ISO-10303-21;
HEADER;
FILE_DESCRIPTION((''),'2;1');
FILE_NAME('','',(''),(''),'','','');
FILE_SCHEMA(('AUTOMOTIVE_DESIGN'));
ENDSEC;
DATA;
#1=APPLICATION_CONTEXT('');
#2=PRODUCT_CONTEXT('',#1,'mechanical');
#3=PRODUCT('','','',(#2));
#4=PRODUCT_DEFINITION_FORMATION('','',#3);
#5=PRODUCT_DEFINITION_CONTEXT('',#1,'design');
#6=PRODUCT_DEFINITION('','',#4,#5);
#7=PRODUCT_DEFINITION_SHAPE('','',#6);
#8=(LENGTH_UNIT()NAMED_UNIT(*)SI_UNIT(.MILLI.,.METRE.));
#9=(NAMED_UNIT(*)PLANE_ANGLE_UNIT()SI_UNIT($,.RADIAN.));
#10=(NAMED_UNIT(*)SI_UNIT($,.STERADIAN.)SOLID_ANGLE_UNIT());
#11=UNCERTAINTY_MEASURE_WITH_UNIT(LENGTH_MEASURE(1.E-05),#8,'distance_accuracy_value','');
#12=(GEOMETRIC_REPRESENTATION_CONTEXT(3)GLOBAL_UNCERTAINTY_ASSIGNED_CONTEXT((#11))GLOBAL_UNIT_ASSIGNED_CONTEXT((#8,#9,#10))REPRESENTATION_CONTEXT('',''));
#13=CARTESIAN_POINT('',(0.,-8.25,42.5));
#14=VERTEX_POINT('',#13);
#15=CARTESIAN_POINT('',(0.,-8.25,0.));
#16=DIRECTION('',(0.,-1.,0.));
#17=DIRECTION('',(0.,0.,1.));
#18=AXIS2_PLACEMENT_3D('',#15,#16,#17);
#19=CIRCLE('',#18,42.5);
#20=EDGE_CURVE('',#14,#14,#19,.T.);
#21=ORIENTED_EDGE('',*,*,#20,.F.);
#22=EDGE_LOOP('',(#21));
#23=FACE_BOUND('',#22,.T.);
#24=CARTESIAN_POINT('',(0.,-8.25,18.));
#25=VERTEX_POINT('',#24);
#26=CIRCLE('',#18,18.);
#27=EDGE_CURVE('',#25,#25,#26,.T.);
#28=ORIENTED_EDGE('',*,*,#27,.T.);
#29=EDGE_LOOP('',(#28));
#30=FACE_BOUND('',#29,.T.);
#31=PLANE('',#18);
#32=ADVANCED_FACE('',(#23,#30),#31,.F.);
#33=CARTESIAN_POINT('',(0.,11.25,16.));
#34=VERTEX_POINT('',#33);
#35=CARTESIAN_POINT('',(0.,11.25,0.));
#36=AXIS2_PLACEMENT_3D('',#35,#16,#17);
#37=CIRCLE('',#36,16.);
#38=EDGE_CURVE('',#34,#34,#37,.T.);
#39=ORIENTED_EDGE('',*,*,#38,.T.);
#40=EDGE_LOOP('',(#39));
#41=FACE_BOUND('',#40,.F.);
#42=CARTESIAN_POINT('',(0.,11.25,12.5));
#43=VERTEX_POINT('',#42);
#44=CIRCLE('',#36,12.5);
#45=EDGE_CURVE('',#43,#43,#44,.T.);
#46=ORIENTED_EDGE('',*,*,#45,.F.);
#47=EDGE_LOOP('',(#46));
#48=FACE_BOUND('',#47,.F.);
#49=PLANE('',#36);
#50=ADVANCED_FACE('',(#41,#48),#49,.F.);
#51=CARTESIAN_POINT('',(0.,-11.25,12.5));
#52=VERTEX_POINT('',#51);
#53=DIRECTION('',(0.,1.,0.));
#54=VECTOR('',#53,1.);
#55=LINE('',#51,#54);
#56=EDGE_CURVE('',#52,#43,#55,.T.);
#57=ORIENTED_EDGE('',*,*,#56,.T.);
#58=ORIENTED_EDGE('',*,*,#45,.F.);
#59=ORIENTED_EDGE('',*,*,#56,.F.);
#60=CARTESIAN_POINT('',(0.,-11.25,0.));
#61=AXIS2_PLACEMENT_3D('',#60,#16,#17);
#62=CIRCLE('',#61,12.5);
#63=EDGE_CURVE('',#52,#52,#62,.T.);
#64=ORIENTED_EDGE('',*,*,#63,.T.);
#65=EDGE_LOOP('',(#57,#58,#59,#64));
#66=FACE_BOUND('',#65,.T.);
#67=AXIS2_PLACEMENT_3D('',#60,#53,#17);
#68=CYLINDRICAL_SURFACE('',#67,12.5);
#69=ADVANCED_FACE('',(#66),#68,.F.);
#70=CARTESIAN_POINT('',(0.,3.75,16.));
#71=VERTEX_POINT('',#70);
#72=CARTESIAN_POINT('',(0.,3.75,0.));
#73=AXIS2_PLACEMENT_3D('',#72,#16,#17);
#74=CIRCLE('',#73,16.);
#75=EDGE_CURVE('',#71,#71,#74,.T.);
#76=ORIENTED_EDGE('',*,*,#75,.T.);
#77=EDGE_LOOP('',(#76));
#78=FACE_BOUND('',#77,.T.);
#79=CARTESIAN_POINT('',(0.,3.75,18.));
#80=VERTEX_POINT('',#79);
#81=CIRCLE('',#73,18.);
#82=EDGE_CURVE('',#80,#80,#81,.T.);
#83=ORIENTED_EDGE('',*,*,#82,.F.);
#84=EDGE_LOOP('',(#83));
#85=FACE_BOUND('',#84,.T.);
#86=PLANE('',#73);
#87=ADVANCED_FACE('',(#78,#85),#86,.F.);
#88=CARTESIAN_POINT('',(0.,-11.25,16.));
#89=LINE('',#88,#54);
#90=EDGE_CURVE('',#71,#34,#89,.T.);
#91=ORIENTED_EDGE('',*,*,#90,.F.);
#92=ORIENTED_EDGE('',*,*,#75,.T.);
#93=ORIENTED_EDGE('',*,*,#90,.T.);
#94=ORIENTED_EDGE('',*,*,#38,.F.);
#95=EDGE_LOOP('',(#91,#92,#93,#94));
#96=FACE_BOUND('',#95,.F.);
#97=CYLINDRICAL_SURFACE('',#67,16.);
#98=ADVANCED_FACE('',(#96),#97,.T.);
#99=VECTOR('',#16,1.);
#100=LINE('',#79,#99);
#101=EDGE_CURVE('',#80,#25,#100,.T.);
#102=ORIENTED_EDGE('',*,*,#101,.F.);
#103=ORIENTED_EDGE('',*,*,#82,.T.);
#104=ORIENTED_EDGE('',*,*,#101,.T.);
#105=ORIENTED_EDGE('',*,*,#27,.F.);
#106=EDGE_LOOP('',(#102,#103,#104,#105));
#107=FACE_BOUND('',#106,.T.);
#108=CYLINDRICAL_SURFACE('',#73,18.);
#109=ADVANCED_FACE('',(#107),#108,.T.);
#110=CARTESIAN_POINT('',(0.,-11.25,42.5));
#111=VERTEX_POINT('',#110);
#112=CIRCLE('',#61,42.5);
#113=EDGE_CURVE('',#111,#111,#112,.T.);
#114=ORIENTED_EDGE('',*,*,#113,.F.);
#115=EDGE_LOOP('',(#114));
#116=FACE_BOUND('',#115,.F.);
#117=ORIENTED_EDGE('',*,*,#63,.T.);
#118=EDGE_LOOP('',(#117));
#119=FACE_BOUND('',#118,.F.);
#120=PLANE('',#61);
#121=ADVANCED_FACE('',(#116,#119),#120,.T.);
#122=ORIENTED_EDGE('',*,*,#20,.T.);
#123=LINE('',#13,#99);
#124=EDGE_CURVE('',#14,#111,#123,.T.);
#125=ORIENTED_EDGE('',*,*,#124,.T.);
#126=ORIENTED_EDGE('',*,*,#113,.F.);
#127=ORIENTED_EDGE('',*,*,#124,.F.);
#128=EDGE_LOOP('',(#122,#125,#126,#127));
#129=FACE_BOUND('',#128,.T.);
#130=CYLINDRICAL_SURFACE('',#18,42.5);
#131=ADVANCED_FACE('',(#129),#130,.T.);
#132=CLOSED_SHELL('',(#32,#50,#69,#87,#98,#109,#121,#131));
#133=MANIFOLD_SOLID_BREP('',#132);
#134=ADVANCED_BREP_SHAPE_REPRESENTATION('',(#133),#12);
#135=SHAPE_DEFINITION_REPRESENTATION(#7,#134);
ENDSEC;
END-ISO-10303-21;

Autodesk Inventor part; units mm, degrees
ref_plane "YZ Plane" through (0, 0, 0) normal (1, 0, 0) x (0, 1, 0)
ref_plane "XZ Plane" through (0, 0, 0) normal (0, 1, 0) x (-1, 0, 0)
ref_plane "XY Plane" through (0, 0, 0) normal (0, 0, 1) x (1, 0, 0)
sketch "Sketch1" plane through (0, 0, 0) normal (1, 0, 0) x (0, 1, 0)
  line L0 (11.25, 0) -> (-11.25, 0) construction
  line L1 (-11.25, 12.5) -> (11.25, 12.5)
  line L2 (11.25, 0) -> (-11.25, 0)
  line L3 (-11.25, 12.5) -> (-11.25, 16)
  line L4 (-11.25, 16) -> (11.25, 16)
  line L5 (11.25, 16) -> (11.25, 12.5)
  line L6 (-11.25, 16) -> (3.75, 16)
  line L7 (3.75, 16) -> (3.75, 18)
  line L8 (3.75, 18) -> (-11.25, 18)
  line L9 (-11.25, 18) -> (-11.25, 16)
  line L10 (-11.25, 18) -> (-8.25, 18)
  line L11 (-8.25, 18) -> (-8.25, 42.5)
  line L12 (-8.25, 42.5) -> (-11.25, 42.5)
  line L13 (-11.25, 42.5) -> (-11.25, 18)
  point P0 (0, 0)
  dimension "d0" = 12.5
  dimension "d1" = 0
  dimension "d2" = 22.5
  dimension "d3" = 16
  dimension "d6" = 18
  dimension "d7" = 7.5
  dimension "d8" = 42.5
  dimension "d10" = 11.25
  dimension "d11" = 19.5
revolve "Revolution1" add sketch "Sketch1" angle 360 about axis through (0, 11.25, 0) along (0, -1, 0)
equation "\"d2\" = d4 + d5"
equation "\"d5\" = d4"
equation "\"d4\" = 11.25"
